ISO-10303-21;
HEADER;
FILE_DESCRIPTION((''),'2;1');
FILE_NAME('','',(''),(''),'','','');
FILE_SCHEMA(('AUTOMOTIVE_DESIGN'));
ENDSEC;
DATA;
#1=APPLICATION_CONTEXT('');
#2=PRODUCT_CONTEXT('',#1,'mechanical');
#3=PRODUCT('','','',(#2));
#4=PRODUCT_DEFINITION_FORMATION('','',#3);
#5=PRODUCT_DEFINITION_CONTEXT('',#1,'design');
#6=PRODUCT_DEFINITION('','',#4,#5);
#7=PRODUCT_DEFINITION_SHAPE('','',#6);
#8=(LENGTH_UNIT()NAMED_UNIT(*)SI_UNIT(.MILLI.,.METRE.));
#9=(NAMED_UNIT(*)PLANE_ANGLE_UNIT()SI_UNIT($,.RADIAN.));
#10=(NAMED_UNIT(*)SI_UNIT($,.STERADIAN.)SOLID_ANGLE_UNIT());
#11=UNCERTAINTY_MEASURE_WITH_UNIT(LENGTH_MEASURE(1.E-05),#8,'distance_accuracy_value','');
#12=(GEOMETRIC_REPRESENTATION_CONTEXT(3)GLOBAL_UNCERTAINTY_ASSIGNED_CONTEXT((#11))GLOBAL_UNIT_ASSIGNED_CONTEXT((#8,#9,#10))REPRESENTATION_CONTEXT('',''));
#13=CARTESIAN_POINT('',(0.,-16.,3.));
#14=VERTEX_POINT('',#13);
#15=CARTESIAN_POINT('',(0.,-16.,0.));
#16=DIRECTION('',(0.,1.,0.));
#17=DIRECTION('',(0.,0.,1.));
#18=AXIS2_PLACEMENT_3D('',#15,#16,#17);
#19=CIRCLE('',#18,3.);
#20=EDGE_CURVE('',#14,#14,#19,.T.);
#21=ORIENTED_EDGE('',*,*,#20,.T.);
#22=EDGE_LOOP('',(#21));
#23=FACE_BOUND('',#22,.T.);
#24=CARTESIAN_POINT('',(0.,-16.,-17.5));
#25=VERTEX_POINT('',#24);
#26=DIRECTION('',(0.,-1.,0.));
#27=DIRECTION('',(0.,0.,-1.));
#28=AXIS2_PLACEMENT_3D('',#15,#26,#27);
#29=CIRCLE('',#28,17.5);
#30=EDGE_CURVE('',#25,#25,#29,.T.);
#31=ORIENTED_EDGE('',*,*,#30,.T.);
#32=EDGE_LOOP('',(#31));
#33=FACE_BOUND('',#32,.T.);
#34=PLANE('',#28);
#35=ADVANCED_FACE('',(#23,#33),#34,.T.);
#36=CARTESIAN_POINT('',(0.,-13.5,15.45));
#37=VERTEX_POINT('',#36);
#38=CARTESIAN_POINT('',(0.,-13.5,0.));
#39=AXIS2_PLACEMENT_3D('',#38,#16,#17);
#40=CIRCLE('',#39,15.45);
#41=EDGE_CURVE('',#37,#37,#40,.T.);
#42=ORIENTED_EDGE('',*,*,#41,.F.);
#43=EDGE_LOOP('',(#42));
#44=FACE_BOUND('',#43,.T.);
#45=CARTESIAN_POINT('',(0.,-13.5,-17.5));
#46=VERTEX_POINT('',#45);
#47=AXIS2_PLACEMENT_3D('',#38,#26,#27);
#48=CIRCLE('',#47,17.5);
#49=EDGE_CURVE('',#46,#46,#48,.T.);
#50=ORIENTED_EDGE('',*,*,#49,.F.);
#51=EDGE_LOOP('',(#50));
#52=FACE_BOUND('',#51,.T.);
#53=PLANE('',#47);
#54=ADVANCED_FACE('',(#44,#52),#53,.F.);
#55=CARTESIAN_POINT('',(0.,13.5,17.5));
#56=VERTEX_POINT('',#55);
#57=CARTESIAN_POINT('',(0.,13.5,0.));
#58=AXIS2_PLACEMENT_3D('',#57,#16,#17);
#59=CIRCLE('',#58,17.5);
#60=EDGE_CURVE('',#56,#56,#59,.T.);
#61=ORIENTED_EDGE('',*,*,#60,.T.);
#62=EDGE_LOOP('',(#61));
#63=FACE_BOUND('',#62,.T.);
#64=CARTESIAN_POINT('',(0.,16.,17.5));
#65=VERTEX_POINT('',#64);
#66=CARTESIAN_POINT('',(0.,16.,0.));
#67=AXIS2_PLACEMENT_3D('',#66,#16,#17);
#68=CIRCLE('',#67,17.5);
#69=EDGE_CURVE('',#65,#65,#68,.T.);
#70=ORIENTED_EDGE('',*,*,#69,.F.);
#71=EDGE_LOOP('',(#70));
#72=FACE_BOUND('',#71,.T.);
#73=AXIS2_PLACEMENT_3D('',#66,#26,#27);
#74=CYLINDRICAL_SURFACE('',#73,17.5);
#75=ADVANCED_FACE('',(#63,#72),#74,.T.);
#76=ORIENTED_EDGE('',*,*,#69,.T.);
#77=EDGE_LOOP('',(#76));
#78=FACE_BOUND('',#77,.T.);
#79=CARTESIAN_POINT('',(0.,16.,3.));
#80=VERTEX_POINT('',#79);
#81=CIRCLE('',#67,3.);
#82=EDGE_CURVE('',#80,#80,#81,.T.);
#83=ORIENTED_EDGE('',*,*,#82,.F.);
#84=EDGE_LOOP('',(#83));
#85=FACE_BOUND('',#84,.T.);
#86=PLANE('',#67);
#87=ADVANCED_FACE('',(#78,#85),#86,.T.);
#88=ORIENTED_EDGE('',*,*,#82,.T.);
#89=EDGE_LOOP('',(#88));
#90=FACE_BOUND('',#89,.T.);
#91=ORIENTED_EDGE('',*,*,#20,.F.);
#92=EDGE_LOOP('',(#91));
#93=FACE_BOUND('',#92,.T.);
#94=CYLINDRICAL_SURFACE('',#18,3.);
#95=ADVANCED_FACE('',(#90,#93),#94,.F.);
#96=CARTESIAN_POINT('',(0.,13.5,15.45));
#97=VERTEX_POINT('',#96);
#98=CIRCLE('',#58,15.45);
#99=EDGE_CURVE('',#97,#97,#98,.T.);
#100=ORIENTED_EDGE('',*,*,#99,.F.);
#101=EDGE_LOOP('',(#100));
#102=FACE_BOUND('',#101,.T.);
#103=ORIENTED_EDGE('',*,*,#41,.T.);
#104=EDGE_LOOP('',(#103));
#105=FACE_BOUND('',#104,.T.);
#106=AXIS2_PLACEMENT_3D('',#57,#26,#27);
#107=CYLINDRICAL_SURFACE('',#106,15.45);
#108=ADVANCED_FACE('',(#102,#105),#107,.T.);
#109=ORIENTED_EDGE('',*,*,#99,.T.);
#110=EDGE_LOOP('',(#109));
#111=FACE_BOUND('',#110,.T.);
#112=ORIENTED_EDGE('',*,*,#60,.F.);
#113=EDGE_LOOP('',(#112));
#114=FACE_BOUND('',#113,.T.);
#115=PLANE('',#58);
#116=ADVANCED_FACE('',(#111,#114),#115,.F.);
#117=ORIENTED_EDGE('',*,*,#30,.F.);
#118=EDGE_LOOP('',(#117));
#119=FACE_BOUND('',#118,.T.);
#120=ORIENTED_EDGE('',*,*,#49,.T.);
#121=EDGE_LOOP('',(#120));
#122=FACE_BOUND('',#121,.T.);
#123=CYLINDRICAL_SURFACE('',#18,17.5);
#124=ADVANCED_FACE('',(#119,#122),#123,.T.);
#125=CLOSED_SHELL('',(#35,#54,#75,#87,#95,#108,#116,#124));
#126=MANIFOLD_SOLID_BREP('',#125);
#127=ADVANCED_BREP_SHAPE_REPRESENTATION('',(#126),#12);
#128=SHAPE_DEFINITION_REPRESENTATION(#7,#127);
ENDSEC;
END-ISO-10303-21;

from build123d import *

# Parameters (mm, degrees)
SKETCH_1_R          = 15.45
EXTRUDE_1_DEPTH     = 13.5
SKETCH_2_R          = 17.5
EXTRUDE_2_DEPTH     = 2.5
EXTRUDE_START       = 2.5
SKETCH_3_R          = 17.5
EXTRUDE_3_DEPTH     = 2.5
SKETCH_4_R          = 3
CUT_EXTRUDE_1_DEPTH = 41.453677212


with BuildPart() as part:
    # 草图1 → 凸台-拉伸1 (new, symmetric)
    with BuildSketch(Plane(origin=(0, 0, 0), x_dir=(1, 0, 0), z_dir=(0, 1, 0))):
        with Locations(Location((0, 0, 0), (0, 0, 270))):
            Circle(SKETCH_1_R)
    extrude(amount=EXTRUDE_1_DEPTH, both=True)

    # 草图2 → 凸台-拉伸2 (add)
    with BuildSketch(Plane(origin=(0, 13.5, 0), x_dir=(1, 0, 0), z_dir=(0, 1, 0))):
        with Locations(Location((0, 0, 0), (0, 0, 270))):
            Circle(SKETCH_2_R)
    extrude(amount=EXTRUDE_2_DEPTH)

    # 草图3 → 凸台-拉伸3 (add)
    with BuildSketch(Plane.XZ.offset(13.5).offset(EXTRUDE_START)):
        with Locations(Location((0, 0, 0), (0, 0, 90))):
            Circle(SKETCH_3_R)
    extrude(amount=-EXTRUDE_3_DEPTH)

    # 草图4 → 切除-拉伸1 (cut, through all)
    with BuildSketch(Plane(origin=(0, 16, 0), x_dir=(1, 0, 0), z_dir=(0, 1, 0))):
        with Locations(Location((0, 0, 0), (0, 0, 270))):
            Circle(SKETCH_4_R)
    extrude(amount=-CUT_EXTRUDE_1_DEPTH, mode=Mode.SUBTRACT)


solid = part.part
